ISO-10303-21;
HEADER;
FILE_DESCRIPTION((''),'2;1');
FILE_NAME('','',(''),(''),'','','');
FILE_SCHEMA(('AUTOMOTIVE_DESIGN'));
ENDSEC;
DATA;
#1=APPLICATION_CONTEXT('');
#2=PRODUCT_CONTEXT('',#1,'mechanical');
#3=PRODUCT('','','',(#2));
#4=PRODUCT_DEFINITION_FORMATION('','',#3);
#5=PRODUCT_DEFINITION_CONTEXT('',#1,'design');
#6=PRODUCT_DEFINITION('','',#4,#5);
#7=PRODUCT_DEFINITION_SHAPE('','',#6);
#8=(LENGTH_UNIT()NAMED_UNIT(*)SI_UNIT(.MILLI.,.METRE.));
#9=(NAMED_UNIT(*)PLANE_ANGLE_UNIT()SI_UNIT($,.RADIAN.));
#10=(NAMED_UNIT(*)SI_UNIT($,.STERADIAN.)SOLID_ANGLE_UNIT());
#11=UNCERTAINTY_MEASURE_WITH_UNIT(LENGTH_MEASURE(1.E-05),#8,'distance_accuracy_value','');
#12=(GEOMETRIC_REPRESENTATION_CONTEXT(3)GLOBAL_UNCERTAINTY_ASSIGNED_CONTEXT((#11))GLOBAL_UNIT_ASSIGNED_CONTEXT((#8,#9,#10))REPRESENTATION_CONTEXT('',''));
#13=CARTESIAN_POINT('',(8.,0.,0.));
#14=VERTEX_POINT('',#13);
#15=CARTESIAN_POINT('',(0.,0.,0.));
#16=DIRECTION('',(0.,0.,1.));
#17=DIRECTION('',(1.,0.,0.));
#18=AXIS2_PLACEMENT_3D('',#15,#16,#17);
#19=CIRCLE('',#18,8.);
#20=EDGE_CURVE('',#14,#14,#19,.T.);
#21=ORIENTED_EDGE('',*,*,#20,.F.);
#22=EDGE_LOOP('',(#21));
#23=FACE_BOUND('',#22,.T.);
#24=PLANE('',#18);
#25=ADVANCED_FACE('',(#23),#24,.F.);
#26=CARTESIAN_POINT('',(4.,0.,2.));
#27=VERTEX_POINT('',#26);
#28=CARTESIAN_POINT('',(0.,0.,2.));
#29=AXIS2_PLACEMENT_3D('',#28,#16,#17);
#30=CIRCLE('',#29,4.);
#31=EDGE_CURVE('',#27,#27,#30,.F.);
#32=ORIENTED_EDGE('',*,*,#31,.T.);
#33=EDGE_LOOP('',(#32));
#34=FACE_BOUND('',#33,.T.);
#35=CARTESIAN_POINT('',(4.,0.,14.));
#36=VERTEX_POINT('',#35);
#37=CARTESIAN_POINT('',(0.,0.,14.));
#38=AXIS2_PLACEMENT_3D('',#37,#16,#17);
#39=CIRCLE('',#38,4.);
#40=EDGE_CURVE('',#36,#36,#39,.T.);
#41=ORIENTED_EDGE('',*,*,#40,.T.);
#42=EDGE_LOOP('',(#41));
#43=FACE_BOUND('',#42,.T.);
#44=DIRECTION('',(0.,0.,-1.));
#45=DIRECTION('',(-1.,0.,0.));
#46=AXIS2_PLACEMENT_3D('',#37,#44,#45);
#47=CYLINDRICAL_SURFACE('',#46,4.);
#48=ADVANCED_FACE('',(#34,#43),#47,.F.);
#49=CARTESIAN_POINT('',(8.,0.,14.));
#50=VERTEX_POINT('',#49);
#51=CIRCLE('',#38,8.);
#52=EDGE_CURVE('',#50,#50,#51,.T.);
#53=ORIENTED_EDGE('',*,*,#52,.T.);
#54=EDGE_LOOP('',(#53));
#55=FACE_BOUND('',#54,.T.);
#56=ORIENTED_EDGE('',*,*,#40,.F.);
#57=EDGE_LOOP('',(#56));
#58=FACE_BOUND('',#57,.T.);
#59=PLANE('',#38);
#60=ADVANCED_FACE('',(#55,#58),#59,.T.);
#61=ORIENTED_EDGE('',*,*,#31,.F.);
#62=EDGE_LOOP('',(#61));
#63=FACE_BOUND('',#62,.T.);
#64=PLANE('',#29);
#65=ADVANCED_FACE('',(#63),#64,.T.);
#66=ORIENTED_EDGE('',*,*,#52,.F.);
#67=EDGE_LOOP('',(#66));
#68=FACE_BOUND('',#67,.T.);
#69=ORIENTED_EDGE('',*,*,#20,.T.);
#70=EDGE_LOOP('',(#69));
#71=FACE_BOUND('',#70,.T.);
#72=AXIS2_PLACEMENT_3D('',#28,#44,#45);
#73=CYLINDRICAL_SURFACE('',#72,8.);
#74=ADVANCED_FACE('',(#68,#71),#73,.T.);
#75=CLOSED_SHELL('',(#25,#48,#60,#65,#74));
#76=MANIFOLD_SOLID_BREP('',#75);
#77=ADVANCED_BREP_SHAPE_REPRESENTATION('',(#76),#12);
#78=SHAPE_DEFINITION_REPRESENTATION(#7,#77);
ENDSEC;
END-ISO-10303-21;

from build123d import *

# Parameters (mm, degrees)
SKETCH1_R           = 8
BOSS_EXTRUDE1_DEPTH = 2
SKETCH2_R           = 8
SKETCH2_R_2         = 4
BOSS_EXTRUDE2_DEPTH = 12


with BuildPart() as part:
    # Sketch1 → Boss-Extrude1 (new body)
    with BuildSketch(Plane.XY):
        Circle(SKETCH1_R)
    extrude(amount=BOSS_EXTRUDE1_DEPTH)

    # Sketch2 → Boss-Extrude2 (add)
    with BuildSketch(Plane.XY.offset(2)):
        Circle(SKETCH2_R)
        Circle(SKETCH2_R_2, mode=Mode.SUBTRACT)
    extrude(amount=BOSS_EXTRUDE2_DEPTH)


solid = part.part
